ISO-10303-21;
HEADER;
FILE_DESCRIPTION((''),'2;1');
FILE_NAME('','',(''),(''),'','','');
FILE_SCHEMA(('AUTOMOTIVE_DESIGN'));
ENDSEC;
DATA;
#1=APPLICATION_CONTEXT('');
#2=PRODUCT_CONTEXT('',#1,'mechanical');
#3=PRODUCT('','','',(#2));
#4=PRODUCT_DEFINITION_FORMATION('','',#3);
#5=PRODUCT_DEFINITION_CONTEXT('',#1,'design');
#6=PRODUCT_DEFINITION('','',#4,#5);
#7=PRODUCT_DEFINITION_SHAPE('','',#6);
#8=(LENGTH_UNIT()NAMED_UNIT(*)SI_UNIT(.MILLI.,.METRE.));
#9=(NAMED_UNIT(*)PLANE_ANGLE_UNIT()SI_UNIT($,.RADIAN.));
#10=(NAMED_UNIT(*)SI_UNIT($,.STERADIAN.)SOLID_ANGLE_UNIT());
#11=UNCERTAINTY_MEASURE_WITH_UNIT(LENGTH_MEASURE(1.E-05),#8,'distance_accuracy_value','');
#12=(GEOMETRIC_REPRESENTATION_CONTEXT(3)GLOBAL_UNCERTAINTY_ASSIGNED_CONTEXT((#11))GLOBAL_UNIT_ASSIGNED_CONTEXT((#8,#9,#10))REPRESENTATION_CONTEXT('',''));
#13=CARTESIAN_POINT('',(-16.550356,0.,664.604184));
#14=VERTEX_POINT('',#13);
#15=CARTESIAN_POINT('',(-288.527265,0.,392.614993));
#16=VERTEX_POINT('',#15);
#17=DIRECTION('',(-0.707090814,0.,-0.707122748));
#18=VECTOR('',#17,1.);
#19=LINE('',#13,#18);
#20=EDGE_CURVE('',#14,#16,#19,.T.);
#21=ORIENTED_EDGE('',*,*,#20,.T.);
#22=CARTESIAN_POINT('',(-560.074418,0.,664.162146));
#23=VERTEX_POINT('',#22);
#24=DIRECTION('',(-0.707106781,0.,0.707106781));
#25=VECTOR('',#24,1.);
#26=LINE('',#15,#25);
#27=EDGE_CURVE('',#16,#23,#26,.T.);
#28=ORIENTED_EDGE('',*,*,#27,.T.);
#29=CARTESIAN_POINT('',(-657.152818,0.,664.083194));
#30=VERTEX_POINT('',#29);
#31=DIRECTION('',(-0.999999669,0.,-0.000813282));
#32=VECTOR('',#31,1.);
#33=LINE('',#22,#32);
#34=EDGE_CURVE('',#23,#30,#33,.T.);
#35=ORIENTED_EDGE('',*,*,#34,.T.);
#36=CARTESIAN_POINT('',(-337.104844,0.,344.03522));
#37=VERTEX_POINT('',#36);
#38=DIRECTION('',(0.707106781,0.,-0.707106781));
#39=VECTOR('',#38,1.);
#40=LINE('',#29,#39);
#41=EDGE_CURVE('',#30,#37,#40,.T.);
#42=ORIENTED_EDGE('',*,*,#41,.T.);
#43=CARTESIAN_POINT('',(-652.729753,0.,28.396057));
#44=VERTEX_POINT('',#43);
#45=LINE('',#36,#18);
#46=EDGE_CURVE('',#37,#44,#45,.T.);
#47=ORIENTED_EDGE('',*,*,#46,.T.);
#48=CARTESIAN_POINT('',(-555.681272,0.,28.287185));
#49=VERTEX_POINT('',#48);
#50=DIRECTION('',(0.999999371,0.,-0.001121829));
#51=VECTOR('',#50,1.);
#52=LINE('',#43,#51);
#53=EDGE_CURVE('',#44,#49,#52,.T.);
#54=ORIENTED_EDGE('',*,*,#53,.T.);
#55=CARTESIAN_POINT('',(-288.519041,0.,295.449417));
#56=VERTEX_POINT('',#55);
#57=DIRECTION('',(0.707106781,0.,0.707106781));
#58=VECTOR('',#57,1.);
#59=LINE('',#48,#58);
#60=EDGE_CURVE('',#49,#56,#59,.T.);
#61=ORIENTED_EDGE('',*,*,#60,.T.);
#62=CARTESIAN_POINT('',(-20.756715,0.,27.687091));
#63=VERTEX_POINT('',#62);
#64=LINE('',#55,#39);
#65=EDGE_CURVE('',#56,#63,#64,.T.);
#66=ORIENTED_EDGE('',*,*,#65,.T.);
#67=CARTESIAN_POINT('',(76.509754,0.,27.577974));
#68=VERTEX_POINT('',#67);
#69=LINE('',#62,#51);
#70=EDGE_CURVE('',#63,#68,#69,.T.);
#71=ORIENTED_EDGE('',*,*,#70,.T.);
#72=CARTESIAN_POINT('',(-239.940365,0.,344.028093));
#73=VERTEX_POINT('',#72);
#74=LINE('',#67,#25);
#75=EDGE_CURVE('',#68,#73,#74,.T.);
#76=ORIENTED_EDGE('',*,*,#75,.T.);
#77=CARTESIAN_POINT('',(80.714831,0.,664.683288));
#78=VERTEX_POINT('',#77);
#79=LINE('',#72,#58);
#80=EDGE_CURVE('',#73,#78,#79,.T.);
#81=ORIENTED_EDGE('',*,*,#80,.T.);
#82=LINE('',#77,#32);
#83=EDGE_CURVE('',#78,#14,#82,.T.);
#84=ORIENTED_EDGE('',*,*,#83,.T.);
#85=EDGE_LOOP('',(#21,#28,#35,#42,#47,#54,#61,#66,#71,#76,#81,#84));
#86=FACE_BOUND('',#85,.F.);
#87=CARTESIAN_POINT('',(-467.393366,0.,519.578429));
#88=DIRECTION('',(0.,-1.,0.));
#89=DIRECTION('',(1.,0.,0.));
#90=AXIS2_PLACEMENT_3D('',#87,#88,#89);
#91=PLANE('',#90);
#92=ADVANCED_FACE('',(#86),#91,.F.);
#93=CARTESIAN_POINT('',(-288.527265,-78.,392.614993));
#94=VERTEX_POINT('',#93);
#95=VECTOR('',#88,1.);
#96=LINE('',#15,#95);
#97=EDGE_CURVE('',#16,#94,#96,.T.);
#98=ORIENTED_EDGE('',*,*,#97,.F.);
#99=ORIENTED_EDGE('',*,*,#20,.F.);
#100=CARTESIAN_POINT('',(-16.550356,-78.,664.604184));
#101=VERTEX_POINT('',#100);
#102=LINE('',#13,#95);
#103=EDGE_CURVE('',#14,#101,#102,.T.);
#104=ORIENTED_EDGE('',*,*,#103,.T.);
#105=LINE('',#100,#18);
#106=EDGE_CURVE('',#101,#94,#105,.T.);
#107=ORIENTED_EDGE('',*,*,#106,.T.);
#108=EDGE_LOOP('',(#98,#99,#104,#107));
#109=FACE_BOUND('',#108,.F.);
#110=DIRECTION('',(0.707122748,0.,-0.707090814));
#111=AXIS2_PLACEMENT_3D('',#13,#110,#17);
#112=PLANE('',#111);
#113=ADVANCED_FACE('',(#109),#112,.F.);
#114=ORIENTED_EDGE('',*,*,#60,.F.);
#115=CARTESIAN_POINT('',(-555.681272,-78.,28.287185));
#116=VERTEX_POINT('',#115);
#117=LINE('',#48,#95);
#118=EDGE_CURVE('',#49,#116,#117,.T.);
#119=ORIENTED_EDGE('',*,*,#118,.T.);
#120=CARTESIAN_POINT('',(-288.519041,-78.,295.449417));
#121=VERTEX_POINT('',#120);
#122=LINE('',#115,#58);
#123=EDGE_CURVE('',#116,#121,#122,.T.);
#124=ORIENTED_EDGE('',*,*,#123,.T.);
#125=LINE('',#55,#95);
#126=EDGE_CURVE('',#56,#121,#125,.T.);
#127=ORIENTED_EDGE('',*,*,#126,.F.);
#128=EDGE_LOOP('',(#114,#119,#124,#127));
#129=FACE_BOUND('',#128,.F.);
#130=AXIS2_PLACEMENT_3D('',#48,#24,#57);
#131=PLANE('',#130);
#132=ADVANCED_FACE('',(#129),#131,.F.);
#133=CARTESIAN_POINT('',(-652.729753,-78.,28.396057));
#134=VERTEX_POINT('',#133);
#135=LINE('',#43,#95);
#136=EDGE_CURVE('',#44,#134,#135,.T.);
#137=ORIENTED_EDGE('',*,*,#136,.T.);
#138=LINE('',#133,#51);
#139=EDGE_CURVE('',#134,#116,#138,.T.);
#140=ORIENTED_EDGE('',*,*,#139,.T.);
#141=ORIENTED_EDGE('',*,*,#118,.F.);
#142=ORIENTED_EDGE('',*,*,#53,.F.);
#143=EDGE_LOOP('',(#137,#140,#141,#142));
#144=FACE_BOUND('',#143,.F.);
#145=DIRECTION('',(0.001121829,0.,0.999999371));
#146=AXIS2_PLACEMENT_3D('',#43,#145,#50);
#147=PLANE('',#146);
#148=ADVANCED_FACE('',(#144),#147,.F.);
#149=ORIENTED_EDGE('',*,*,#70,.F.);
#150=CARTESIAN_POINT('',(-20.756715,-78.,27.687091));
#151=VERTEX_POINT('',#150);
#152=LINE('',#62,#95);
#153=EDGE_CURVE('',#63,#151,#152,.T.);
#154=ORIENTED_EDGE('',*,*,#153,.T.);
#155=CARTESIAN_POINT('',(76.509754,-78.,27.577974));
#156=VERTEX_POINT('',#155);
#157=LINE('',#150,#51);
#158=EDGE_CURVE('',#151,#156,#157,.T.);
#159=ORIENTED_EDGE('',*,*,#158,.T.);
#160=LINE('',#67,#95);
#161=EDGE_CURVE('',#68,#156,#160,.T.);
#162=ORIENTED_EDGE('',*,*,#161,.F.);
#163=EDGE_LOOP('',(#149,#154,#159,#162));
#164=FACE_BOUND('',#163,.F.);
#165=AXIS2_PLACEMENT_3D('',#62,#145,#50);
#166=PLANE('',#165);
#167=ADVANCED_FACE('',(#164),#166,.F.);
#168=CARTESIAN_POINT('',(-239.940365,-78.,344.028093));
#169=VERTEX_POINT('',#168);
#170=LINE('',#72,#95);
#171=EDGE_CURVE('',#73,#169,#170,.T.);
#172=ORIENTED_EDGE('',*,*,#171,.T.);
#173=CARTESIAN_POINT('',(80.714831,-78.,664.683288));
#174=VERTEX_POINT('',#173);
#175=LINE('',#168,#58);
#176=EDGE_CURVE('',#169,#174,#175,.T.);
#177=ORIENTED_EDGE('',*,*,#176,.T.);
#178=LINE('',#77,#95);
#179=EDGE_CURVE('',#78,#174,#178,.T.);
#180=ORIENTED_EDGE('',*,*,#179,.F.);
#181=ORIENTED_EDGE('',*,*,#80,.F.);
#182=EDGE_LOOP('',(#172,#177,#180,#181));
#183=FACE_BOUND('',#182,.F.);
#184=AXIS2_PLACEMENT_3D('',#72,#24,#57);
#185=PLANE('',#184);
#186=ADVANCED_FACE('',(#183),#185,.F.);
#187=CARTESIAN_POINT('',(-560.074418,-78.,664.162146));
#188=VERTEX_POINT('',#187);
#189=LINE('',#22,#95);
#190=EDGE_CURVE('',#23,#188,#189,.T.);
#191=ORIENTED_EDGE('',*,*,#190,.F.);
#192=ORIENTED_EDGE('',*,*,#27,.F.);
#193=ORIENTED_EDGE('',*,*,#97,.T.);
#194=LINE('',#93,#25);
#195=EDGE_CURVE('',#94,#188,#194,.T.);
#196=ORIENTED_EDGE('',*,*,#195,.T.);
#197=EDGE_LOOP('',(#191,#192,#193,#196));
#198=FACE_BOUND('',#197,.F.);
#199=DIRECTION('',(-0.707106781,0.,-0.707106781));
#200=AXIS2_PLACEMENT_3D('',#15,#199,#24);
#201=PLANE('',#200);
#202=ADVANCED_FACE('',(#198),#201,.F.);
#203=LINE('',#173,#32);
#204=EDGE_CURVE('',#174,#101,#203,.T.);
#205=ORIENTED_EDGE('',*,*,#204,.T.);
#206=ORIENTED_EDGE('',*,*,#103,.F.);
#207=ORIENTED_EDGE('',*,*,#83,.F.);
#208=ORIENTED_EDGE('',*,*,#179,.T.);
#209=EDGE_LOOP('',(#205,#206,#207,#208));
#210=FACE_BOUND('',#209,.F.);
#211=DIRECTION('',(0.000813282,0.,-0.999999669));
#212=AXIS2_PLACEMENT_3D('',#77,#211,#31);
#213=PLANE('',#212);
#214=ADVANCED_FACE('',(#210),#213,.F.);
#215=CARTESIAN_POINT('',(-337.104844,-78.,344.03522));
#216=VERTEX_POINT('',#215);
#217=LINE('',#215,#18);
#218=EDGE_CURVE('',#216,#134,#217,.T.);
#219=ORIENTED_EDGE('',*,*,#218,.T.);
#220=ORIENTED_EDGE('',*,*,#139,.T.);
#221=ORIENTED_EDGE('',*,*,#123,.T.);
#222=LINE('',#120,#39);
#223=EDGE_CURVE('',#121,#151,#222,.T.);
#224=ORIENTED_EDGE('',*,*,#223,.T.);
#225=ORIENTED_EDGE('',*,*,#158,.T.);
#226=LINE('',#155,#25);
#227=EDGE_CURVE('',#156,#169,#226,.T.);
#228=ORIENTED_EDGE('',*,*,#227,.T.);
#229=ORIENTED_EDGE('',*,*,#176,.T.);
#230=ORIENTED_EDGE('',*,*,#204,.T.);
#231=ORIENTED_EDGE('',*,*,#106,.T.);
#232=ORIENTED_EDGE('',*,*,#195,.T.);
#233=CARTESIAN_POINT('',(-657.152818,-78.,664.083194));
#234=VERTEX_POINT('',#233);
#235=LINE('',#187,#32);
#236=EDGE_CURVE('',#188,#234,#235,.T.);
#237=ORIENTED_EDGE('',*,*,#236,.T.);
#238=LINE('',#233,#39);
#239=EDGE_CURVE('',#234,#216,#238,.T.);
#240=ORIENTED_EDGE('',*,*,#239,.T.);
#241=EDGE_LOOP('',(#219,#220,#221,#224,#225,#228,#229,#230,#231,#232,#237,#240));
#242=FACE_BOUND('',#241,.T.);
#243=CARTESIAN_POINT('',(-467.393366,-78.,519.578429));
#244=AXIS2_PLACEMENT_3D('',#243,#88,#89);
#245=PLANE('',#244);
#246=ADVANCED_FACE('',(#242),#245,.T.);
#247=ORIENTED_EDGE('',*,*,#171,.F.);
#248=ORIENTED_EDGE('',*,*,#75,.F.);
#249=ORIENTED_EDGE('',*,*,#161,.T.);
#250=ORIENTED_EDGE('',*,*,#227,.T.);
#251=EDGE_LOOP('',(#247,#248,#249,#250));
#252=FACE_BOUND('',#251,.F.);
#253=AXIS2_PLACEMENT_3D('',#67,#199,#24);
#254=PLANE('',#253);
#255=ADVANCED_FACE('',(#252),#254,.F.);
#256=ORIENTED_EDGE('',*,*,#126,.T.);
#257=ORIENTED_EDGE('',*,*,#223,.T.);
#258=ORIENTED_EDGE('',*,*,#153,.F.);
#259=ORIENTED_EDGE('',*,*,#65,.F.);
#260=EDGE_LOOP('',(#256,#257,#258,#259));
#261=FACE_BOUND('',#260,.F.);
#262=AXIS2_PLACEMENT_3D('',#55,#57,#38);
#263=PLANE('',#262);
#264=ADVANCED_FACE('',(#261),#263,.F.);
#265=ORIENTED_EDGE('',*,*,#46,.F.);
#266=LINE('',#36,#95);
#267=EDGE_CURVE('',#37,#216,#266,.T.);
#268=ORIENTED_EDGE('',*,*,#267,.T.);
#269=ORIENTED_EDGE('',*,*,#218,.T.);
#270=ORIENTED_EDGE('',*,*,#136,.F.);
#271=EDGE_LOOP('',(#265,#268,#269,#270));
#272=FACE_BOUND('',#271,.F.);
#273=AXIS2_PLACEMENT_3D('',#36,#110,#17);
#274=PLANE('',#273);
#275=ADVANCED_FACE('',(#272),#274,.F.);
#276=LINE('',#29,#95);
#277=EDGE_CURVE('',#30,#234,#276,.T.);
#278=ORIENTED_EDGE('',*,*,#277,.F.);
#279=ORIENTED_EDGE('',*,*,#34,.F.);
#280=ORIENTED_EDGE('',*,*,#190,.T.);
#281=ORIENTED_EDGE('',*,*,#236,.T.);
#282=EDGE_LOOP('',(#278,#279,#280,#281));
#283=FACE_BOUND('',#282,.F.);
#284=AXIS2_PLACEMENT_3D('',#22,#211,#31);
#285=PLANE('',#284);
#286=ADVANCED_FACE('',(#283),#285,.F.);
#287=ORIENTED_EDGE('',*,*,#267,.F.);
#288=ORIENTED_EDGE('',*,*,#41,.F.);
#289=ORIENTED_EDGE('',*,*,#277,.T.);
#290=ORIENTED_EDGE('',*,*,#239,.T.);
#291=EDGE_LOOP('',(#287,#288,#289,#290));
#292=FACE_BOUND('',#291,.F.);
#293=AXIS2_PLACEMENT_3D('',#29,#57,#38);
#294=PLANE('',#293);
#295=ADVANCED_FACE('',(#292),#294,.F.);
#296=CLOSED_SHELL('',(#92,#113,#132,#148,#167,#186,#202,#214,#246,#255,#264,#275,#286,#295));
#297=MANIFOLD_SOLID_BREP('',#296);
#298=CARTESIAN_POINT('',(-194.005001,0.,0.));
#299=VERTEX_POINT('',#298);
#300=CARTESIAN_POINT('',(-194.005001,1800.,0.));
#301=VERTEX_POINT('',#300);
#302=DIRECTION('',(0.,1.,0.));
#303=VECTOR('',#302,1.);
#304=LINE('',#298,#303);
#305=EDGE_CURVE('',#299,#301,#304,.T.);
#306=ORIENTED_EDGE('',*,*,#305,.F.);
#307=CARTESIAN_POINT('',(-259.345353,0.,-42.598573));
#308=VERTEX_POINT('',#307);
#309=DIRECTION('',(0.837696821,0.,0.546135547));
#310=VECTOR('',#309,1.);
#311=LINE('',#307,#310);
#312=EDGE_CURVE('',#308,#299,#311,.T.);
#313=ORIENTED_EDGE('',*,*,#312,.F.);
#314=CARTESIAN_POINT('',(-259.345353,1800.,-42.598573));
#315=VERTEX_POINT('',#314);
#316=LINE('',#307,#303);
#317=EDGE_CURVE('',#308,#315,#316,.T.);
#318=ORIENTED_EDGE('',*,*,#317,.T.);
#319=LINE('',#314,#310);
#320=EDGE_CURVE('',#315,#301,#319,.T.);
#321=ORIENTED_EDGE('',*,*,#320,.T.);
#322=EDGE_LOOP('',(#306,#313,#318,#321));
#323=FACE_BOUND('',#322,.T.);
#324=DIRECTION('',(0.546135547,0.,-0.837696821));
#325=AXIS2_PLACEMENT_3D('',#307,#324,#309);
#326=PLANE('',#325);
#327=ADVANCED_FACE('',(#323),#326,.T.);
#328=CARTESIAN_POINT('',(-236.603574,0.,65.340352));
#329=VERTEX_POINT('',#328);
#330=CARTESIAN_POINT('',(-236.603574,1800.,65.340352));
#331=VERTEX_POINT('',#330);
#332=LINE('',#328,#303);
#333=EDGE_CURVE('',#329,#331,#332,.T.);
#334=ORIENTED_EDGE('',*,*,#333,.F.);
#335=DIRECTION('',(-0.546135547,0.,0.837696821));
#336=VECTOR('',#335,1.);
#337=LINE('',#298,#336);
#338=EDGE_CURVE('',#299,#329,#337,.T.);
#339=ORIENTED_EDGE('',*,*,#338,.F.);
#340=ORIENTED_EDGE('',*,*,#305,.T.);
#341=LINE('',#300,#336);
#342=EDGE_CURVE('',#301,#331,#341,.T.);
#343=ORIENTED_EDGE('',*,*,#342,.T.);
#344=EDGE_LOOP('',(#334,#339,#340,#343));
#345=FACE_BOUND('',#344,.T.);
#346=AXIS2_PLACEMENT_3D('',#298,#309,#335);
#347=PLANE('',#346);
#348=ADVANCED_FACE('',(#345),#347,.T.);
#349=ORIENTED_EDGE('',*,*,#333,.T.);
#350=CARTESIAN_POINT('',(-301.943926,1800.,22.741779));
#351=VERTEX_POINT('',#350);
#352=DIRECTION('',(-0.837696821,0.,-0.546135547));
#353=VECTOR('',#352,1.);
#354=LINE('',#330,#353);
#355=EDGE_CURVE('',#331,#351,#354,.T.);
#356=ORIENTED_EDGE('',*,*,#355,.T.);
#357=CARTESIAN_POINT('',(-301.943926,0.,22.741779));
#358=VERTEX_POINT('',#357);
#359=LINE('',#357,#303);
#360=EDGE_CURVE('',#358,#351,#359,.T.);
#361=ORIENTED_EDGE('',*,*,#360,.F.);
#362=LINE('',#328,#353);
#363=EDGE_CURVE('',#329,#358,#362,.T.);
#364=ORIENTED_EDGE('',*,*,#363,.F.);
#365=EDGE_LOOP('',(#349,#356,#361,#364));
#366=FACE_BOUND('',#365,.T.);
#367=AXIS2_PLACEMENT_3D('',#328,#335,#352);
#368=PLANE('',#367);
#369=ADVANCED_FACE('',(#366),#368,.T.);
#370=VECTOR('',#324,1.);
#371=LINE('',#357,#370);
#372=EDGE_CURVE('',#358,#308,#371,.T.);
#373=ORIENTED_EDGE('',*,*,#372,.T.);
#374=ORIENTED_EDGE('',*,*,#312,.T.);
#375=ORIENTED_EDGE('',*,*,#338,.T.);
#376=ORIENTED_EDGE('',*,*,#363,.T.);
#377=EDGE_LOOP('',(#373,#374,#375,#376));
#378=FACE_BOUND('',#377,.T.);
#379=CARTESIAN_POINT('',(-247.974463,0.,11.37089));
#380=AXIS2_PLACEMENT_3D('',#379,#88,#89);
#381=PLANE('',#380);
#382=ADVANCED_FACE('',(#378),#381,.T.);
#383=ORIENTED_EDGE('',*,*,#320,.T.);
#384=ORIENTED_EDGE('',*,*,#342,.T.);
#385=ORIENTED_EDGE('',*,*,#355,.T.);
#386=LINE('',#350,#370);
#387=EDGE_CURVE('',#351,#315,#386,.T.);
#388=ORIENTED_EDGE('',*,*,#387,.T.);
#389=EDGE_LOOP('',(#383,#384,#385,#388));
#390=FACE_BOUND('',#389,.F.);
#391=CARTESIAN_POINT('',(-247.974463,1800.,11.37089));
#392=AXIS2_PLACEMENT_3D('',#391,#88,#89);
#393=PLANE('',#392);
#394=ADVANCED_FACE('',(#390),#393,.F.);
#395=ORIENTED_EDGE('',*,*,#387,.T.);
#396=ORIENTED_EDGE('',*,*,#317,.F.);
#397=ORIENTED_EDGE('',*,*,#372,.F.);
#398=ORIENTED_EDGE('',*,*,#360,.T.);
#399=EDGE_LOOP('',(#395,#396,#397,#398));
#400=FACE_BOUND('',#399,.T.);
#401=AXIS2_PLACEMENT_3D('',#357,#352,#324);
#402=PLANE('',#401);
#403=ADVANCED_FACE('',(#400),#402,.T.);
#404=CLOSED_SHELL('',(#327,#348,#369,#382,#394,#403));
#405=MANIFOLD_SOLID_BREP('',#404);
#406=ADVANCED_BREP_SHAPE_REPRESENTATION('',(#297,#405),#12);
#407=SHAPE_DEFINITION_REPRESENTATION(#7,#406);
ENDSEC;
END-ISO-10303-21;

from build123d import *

# Parameters (mm, degrees)
F1_DEPTH = 78
F3_DEPTH = 1800


with BuildPart() as f1:
    # F0 (on Front) → F1 (new body)
    with BuildSketch(Plane.XZ):
        Polygon((-657.1528180463, 664.0831939611), (-337.1048440452, 344.0352199601), (-288.5272647169, 392.614993121), (-560.074417666, 664.1621460701), align=None)
        Polygon((-288.5272647169, 392.614993121), (-239.9403645209, 344.028092925), (80.7148309418, 664.6832883878), (-16.5503563337, 664.6041843684), align=None)
        Polygon((-337.1048440452, 344.0352199601), (-288.5190407656, 295.4494166804), (-239.9403645209, 344.028092925), (-288.5272647169, 392.614993121), align=None)
        Polygon((-288.5190407656, 295.4494166804), (-20.7567149784, 27.6870908932), (76.5097539556, 27.5779744484), (-239.9403645209, 344.028092925), align=None)
        Polygon((-555.6812721261, 28.2871853199), (-288.5190407656, 295.4494166804), (-337.1048440452, 344.0352199601), (-652.7297527163, 28.3960572188), align=None)
    extrude(amount=F1_DEPTH)


with BuildPart() as f3:
    # F2 (on Front) → F3 (new body)
    with BuildSketch(Plane.XZ):
        Polygon((-236.6035736401, 65.3403520422), (-301.9439256822, 22.7417793547), (-259.3453529948, -42.5985726874), (-194.0050009526, 0), align=None)
    extrude(amount=-F3_DEPTH)


solid = Compound([f1.part, f3.part])
